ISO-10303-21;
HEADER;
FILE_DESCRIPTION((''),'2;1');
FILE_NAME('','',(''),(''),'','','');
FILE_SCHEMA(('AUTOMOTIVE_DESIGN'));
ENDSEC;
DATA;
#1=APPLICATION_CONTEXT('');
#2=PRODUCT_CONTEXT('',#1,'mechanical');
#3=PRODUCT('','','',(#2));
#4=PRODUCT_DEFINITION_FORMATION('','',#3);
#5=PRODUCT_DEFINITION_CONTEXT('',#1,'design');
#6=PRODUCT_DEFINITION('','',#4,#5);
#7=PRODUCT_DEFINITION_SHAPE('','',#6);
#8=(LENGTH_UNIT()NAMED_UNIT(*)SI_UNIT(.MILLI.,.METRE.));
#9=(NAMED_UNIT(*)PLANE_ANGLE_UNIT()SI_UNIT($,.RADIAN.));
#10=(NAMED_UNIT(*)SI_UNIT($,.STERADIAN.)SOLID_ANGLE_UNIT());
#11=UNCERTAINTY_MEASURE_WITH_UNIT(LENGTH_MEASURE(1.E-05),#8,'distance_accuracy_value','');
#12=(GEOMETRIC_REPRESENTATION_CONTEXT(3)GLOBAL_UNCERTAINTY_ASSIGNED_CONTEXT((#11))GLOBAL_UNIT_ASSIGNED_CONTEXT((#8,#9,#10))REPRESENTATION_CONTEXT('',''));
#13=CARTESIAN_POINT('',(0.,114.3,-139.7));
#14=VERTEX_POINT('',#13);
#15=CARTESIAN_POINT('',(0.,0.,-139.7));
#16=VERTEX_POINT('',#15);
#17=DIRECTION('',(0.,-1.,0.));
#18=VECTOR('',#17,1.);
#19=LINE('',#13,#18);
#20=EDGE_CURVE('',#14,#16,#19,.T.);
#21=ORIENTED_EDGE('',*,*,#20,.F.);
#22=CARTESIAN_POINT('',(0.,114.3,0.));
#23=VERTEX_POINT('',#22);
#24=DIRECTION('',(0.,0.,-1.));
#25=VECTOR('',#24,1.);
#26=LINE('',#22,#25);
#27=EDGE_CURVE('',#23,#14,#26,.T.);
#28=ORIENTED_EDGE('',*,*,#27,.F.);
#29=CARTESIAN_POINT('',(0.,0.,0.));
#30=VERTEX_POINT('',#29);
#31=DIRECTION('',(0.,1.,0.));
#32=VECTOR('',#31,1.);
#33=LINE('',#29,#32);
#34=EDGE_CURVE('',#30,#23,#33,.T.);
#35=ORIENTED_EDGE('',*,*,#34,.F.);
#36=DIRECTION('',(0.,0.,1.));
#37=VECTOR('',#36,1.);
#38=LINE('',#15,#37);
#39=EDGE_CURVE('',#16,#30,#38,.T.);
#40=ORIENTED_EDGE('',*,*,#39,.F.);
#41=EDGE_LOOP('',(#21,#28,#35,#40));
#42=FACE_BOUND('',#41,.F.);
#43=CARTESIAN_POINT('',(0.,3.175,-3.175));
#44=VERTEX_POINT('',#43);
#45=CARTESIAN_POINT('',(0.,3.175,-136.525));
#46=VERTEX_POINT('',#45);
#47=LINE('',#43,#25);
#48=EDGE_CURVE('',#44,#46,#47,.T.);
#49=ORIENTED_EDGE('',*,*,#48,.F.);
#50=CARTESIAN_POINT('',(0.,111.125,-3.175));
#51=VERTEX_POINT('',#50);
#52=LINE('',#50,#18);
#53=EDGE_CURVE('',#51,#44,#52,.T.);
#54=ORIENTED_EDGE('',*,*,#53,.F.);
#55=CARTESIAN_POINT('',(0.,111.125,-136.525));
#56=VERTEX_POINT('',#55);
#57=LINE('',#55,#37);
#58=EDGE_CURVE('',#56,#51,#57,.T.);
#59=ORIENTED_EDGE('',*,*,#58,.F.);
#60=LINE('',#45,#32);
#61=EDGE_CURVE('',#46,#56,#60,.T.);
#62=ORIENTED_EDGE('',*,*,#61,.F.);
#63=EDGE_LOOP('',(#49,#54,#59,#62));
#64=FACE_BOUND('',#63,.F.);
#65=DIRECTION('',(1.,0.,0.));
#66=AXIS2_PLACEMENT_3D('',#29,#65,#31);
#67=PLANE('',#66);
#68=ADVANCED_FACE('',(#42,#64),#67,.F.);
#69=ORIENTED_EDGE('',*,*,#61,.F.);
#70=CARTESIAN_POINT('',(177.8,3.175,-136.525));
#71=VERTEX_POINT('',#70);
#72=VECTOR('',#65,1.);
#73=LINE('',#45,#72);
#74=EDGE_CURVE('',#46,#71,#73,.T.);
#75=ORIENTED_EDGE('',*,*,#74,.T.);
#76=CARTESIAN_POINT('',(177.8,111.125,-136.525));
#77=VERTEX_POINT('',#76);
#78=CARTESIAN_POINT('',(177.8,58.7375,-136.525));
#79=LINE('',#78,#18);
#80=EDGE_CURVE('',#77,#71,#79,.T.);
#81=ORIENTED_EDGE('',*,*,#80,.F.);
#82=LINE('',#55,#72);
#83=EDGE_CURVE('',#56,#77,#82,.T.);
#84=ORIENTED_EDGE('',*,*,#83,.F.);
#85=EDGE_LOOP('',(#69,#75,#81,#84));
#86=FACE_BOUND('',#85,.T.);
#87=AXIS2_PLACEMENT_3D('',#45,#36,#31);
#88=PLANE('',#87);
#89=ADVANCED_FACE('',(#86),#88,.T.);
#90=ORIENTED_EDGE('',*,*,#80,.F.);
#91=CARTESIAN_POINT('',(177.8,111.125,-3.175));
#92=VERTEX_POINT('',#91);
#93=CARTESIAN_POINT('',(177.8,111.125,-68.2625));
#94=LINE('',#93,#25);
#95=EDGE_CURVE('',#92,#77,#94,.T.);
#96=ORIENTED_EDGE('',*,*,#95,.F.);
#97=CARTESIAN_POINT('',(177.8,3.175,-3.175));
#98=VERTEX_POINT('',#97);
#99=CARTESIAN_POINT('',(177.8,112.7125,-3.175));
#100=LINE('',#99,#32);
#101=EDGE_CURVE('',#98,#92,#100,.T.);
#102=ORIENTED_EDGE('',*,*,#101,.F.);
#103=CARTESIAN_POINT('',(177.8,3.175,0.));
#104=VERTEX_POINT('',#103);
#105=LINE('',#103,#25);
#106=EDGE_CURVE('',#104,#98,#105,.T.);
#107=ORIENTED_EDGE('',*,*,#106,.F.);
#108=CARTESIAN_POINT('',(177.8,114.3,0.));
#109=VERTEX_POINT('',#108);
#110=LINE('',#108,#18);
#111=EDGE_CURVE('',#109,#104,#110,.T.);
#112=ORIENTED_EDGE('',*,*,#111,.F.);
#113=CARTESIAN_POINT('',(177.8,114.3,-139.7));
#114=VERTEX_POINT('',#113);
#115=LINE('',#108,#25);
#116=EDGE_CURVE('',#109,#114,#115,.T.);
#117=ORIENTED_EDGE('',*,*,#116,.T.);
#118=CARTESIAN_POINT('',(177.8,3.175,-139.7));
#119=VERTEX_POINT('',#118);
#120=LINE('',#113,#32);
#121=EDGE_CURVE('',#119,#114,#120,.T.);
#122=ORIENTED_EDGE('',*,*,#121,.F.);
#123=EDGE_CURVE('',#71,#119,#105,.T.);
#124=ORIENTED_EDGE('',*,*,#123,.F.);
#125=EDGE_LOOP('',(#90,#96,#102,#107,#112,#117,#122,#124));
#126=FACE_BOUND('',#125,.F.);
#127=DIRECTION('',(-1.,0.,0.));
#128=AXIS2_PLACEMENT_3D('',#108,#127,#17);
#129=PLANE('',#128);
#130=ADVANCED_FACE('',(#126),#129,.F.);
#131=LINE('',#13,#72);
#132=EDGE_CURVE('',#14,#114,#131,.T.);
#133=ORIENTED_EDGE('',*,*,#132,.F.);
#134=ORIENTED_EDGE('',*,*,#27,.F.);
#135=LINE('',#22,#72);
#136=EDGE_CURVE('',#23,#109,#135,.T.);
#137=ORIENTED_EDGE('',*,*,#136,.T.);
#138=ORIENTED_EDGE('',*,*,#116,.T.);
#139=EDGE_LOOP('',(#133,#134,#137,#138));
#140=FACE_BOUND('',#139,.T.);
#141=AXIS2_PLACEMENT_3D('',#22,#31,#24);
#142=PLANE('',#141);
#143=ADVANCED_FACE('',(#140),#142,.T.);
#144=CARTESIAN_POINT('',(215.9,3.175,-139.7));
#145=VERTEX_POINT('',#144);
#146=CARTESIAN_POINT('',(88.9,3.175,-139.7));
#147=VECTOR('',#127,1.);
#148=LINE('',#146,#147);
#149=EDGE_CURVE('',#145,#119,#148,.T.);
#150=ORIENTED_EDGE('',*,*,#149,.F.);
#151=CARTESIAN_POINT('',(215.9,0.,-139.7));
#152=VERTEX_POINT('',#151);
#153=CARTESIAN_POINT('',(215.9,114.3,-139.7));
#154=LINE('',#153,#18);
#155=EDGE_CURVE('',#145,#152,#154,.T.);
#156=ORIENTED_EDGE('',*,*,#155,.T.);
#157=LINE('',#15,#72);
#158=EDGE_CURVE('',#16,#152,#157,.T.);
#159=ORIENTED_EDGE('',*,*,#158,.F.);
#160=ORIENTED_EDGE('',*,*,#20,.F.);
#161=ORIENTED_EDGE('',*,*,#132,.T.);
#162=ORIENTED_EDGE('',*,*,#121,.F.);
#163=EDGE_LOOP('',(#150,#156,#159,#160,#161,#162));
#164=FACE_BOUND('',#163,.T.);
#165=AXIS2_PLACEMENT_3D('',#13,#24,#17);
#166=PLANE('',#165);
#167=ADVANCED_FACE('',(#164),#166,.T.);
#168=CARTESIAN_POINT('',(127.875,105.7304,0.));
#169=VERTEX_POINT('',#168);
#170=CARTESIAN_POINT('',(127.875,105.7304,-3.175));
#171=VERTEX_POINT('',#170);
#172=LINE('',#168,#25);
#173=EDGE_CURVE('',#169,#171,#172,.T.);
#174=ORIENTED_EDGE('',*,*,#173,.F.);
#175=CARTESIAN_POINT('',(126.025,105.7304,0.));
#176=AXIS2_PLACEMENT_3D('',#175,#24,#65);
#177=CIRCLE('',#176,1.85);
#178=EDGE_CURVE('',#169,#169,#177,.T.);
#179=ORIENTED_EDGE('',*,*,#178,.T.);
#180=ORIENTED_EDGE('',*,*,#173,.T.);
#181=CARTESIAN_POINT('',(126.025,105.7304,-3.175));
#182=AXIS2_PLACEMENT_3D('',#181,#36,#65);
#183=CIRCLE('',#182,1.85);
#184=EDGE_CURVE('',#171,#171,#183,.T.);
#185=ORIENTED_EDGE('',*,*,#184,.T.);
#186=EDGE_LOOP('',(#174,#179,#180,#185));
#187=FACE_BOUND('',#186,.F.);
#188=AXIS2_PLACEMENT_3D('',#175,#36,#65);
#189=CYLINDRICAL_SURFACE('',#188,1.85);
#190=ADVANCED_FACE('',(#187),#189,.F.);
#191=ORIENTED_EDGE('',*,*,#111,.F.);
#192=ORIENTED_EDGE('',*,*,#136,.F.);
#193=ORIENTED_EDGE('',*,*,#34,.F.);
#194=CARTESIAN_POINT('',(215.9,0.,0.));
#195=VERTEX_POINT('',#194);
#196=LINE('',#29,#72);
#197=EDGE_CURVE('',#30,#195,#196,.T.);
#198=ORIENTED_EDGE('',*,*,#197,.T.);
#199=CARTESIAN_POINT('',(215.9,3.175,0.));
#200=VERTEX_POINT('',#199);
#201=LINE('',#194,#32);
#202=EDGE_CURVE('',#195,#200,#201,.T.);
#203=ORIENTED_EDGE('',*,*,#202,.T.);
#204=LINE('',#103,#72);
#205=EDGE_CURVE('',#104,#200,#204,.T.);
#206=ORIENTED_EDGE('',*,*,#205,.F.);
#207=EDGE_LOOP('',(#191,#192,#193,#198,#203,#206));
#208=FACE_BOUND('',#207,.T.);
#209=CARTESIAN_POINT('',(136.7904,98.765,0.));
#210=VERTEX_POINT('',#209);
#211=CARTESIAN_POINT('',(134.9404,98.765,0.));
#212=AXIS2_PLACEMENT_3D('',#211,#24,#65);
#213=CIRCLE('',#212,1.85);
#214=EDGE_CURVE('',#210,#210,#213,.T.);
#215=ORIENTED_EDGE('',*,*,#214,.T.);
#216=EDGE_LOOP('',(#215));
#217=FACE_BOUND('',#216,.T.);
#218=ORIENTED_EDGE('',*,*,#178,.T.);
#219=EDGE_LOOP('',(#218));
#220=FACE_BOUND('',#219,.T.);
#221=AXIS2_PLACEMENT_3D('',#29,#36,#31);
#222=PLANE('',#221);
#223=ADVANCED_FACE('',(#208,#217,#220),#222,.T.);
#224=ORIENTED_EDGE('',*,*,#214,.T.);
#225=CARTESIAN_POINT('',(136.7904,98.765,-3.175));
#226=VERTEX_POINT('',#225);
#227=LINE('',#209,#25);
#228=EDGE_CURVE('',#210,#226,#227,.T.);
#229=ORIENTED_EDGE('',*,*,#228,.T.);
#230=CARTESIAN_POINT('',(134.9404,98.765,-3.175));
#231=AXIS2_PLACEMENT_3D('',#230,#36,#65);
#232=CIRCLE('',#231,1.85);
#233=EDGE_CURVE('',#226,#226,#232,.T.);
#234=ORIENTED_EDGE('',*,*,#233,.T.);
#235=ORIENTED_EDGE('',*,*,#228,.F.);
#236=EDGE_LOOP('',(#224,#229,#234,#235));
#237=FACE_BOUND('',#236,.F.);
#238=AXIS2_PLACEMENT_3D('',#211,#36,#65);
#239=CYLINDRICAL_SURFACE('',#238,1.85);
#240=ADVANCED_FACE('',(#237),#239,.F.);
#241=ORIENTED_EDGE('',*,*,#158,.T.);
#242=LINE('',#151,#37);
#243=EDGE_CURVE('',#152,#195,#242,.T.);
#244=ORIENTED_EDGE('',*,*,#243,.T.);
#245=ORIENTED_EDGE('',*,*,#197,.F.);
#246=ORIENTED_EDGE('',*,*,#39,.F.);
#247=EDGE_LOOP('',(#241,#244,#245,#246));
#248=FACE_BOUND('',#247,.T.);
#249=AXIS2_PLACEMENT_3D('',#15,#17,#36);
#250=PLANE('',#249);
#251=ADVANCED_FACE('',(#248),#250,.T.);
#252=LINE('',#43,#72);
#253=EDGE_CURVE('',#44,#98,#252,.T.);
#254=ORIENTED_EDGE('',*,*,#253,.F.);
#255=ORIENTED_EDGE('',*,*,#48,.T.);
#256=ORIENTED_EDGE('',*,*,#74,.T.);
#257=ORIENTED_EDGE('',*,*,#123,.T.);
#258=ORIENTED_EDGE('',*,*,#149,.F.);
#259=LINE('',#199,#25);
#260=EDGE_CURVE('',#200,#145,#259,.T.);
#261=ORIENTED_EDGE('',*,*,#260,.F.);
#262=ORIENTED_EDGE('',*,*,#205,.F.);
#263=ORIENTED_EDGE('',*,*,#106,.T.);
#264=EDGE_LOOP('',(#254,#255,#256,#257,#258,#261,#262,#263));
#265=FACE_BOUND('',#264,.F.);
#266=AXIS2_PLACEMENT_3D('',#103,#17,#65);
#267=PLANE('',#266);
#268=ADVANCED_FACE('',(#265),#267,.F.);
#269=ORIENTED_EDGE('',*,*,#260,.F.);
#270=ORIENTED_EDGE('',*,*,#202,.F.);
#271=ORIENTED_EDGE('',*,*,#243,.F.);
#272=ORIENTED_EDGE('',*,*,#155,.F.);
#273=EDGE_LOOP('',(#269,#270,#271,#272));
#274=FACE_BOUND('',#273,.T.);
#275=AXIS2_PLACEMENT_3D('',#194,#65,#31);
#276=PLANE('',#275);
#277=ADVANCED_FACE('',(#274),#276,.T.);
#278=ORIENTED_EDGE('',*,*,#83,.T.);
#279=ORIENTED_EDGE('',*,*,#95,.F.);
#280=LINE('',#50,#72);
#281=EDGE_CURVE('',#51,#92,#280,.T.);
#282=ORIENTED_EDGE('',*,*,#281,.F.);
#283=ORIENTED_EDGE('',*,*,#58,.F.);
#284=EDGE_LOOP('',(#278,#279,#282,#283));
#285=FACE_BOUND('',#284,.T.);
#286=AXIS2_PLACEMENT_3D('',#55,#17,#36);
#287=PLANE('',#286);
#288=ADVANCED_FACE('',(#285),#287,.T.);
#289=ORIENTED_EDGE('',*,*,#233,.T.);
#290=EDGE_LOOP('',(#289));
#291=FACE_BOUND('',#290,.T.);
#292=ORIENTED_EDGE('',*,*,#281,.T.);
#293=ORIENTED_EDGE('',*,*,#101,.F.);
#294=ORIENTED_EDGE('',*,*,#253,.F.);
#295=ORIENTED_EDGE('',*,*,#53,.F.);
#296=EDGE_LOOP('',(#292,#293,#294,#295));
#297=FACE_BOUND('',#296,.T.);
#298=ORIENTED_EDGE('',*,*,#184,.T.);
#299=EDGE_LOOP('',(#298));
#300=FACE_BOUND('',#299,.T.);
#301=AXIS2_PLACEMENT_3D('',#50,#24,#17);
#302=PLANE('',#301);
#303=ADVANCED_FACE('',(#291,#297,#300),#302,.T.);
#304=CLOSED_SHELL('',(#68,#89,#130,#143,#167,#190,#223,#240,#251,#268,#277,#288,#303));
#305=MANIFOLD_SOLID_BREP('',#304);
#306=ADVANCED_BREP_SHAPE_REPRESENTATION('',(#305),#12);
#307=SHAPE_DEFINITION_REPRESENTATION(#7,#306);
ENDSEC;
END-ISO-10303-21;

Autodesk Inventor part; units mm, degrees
ref_plane "YZ Plane" through (0, 0, 0) normal (1, 0, 0) x (0, 1, 0)
ref_plane "XZ Plane" through (0, 0, 0) normal (0, 1, 0) x (-1, 0, 0)
ref_plane "XY Plane" through (0, 0, 0) normal (0, 0, 1) x (1, 0, 0)
sketch "Sketch1" plane through (0, 0, 0) normal (1, 0, 0) x (0, 1, 0)
  line L0 (0, 0) -> (114.3, 0)
  line L1 (114.3, 0) -> (114.3, -139.7)
  line L2 (114.3, -139.7) -> (0, -139.7)
  line L3 (0, -139.7) -> (0, 0)
  line L4 (111.125, -136.525) -> (111.125, -3.175)
  line L5 (111.125, -3.175) -> (3.175, -3.175)
  line L6 (3.175, -3.175) -> (3.175, -136.525)
  line L7 (3.175, -136.525) -> (111.125, -136.525)
  dimension "d0" = 114.3
  dimension "d1" = 139.7
  dimension "d2" = 3.175
extrude "Extrusion1" add sketch "Sketch1" along normal blind 215.9
sketch "Sketch2" plane through (0, 0, 0) normal (0, 0, 1) x (1, 0, 0)
  line L0 (215.9, 114.3) -> (177.8, 114.3)
  line L1 (177.8, 114.3) -> (177.8, 3.175)
  line L2 (177.8, 3.175) -> (215.9, 3.175)
  line L3 (215.9, 3.175) -> (215.9, 114.3)
  point P0 (0, 0)
  dimension "d5" = 38.1
  dimension "d6" = 111.125
extrude "Extrusion2" cut sketch "Sketch2" against normal through all
sketch "Sketch4" plane through (0, 0, 0) normal (0, 0, 1) x (1, 0, 0)
  line L0 (177.8, 3.175) -> (177.8, 114.3) projected
  line L1 (0, 114.3) -> (177.8, 114.3) projected
  circle A0 centre (127, 97.79) radius 4
  line L2 (127, 97.79) -> (134.9404, 98.765)
  line L3 (127, 97.79) -> (135, 97.79) construction
  line L4 (127, 97.79) -> (126.025, 105.7304)
  circle A1 centre (126.025, 105.7304) radius 1.85
  circle A2 centre (134.9404, 98.765) radius 1.85
  dimension "d13" = 50.8
  dimension "d14" = 16.51
  dimension "d15" = 8
  dimension "d16" = 8
  dimension "d17" = 353
  dimension "d18" = 8
  dimension "d19" = 3.7
  dimension "d20" = 3.7
  dimension "d23" = 90
extrude "Extrusion3" cut sketch "Sketch4" against normal blind 25.4 contours A1 | A2
properties part number "Bucket" material "Polycarbonate, Clear"
